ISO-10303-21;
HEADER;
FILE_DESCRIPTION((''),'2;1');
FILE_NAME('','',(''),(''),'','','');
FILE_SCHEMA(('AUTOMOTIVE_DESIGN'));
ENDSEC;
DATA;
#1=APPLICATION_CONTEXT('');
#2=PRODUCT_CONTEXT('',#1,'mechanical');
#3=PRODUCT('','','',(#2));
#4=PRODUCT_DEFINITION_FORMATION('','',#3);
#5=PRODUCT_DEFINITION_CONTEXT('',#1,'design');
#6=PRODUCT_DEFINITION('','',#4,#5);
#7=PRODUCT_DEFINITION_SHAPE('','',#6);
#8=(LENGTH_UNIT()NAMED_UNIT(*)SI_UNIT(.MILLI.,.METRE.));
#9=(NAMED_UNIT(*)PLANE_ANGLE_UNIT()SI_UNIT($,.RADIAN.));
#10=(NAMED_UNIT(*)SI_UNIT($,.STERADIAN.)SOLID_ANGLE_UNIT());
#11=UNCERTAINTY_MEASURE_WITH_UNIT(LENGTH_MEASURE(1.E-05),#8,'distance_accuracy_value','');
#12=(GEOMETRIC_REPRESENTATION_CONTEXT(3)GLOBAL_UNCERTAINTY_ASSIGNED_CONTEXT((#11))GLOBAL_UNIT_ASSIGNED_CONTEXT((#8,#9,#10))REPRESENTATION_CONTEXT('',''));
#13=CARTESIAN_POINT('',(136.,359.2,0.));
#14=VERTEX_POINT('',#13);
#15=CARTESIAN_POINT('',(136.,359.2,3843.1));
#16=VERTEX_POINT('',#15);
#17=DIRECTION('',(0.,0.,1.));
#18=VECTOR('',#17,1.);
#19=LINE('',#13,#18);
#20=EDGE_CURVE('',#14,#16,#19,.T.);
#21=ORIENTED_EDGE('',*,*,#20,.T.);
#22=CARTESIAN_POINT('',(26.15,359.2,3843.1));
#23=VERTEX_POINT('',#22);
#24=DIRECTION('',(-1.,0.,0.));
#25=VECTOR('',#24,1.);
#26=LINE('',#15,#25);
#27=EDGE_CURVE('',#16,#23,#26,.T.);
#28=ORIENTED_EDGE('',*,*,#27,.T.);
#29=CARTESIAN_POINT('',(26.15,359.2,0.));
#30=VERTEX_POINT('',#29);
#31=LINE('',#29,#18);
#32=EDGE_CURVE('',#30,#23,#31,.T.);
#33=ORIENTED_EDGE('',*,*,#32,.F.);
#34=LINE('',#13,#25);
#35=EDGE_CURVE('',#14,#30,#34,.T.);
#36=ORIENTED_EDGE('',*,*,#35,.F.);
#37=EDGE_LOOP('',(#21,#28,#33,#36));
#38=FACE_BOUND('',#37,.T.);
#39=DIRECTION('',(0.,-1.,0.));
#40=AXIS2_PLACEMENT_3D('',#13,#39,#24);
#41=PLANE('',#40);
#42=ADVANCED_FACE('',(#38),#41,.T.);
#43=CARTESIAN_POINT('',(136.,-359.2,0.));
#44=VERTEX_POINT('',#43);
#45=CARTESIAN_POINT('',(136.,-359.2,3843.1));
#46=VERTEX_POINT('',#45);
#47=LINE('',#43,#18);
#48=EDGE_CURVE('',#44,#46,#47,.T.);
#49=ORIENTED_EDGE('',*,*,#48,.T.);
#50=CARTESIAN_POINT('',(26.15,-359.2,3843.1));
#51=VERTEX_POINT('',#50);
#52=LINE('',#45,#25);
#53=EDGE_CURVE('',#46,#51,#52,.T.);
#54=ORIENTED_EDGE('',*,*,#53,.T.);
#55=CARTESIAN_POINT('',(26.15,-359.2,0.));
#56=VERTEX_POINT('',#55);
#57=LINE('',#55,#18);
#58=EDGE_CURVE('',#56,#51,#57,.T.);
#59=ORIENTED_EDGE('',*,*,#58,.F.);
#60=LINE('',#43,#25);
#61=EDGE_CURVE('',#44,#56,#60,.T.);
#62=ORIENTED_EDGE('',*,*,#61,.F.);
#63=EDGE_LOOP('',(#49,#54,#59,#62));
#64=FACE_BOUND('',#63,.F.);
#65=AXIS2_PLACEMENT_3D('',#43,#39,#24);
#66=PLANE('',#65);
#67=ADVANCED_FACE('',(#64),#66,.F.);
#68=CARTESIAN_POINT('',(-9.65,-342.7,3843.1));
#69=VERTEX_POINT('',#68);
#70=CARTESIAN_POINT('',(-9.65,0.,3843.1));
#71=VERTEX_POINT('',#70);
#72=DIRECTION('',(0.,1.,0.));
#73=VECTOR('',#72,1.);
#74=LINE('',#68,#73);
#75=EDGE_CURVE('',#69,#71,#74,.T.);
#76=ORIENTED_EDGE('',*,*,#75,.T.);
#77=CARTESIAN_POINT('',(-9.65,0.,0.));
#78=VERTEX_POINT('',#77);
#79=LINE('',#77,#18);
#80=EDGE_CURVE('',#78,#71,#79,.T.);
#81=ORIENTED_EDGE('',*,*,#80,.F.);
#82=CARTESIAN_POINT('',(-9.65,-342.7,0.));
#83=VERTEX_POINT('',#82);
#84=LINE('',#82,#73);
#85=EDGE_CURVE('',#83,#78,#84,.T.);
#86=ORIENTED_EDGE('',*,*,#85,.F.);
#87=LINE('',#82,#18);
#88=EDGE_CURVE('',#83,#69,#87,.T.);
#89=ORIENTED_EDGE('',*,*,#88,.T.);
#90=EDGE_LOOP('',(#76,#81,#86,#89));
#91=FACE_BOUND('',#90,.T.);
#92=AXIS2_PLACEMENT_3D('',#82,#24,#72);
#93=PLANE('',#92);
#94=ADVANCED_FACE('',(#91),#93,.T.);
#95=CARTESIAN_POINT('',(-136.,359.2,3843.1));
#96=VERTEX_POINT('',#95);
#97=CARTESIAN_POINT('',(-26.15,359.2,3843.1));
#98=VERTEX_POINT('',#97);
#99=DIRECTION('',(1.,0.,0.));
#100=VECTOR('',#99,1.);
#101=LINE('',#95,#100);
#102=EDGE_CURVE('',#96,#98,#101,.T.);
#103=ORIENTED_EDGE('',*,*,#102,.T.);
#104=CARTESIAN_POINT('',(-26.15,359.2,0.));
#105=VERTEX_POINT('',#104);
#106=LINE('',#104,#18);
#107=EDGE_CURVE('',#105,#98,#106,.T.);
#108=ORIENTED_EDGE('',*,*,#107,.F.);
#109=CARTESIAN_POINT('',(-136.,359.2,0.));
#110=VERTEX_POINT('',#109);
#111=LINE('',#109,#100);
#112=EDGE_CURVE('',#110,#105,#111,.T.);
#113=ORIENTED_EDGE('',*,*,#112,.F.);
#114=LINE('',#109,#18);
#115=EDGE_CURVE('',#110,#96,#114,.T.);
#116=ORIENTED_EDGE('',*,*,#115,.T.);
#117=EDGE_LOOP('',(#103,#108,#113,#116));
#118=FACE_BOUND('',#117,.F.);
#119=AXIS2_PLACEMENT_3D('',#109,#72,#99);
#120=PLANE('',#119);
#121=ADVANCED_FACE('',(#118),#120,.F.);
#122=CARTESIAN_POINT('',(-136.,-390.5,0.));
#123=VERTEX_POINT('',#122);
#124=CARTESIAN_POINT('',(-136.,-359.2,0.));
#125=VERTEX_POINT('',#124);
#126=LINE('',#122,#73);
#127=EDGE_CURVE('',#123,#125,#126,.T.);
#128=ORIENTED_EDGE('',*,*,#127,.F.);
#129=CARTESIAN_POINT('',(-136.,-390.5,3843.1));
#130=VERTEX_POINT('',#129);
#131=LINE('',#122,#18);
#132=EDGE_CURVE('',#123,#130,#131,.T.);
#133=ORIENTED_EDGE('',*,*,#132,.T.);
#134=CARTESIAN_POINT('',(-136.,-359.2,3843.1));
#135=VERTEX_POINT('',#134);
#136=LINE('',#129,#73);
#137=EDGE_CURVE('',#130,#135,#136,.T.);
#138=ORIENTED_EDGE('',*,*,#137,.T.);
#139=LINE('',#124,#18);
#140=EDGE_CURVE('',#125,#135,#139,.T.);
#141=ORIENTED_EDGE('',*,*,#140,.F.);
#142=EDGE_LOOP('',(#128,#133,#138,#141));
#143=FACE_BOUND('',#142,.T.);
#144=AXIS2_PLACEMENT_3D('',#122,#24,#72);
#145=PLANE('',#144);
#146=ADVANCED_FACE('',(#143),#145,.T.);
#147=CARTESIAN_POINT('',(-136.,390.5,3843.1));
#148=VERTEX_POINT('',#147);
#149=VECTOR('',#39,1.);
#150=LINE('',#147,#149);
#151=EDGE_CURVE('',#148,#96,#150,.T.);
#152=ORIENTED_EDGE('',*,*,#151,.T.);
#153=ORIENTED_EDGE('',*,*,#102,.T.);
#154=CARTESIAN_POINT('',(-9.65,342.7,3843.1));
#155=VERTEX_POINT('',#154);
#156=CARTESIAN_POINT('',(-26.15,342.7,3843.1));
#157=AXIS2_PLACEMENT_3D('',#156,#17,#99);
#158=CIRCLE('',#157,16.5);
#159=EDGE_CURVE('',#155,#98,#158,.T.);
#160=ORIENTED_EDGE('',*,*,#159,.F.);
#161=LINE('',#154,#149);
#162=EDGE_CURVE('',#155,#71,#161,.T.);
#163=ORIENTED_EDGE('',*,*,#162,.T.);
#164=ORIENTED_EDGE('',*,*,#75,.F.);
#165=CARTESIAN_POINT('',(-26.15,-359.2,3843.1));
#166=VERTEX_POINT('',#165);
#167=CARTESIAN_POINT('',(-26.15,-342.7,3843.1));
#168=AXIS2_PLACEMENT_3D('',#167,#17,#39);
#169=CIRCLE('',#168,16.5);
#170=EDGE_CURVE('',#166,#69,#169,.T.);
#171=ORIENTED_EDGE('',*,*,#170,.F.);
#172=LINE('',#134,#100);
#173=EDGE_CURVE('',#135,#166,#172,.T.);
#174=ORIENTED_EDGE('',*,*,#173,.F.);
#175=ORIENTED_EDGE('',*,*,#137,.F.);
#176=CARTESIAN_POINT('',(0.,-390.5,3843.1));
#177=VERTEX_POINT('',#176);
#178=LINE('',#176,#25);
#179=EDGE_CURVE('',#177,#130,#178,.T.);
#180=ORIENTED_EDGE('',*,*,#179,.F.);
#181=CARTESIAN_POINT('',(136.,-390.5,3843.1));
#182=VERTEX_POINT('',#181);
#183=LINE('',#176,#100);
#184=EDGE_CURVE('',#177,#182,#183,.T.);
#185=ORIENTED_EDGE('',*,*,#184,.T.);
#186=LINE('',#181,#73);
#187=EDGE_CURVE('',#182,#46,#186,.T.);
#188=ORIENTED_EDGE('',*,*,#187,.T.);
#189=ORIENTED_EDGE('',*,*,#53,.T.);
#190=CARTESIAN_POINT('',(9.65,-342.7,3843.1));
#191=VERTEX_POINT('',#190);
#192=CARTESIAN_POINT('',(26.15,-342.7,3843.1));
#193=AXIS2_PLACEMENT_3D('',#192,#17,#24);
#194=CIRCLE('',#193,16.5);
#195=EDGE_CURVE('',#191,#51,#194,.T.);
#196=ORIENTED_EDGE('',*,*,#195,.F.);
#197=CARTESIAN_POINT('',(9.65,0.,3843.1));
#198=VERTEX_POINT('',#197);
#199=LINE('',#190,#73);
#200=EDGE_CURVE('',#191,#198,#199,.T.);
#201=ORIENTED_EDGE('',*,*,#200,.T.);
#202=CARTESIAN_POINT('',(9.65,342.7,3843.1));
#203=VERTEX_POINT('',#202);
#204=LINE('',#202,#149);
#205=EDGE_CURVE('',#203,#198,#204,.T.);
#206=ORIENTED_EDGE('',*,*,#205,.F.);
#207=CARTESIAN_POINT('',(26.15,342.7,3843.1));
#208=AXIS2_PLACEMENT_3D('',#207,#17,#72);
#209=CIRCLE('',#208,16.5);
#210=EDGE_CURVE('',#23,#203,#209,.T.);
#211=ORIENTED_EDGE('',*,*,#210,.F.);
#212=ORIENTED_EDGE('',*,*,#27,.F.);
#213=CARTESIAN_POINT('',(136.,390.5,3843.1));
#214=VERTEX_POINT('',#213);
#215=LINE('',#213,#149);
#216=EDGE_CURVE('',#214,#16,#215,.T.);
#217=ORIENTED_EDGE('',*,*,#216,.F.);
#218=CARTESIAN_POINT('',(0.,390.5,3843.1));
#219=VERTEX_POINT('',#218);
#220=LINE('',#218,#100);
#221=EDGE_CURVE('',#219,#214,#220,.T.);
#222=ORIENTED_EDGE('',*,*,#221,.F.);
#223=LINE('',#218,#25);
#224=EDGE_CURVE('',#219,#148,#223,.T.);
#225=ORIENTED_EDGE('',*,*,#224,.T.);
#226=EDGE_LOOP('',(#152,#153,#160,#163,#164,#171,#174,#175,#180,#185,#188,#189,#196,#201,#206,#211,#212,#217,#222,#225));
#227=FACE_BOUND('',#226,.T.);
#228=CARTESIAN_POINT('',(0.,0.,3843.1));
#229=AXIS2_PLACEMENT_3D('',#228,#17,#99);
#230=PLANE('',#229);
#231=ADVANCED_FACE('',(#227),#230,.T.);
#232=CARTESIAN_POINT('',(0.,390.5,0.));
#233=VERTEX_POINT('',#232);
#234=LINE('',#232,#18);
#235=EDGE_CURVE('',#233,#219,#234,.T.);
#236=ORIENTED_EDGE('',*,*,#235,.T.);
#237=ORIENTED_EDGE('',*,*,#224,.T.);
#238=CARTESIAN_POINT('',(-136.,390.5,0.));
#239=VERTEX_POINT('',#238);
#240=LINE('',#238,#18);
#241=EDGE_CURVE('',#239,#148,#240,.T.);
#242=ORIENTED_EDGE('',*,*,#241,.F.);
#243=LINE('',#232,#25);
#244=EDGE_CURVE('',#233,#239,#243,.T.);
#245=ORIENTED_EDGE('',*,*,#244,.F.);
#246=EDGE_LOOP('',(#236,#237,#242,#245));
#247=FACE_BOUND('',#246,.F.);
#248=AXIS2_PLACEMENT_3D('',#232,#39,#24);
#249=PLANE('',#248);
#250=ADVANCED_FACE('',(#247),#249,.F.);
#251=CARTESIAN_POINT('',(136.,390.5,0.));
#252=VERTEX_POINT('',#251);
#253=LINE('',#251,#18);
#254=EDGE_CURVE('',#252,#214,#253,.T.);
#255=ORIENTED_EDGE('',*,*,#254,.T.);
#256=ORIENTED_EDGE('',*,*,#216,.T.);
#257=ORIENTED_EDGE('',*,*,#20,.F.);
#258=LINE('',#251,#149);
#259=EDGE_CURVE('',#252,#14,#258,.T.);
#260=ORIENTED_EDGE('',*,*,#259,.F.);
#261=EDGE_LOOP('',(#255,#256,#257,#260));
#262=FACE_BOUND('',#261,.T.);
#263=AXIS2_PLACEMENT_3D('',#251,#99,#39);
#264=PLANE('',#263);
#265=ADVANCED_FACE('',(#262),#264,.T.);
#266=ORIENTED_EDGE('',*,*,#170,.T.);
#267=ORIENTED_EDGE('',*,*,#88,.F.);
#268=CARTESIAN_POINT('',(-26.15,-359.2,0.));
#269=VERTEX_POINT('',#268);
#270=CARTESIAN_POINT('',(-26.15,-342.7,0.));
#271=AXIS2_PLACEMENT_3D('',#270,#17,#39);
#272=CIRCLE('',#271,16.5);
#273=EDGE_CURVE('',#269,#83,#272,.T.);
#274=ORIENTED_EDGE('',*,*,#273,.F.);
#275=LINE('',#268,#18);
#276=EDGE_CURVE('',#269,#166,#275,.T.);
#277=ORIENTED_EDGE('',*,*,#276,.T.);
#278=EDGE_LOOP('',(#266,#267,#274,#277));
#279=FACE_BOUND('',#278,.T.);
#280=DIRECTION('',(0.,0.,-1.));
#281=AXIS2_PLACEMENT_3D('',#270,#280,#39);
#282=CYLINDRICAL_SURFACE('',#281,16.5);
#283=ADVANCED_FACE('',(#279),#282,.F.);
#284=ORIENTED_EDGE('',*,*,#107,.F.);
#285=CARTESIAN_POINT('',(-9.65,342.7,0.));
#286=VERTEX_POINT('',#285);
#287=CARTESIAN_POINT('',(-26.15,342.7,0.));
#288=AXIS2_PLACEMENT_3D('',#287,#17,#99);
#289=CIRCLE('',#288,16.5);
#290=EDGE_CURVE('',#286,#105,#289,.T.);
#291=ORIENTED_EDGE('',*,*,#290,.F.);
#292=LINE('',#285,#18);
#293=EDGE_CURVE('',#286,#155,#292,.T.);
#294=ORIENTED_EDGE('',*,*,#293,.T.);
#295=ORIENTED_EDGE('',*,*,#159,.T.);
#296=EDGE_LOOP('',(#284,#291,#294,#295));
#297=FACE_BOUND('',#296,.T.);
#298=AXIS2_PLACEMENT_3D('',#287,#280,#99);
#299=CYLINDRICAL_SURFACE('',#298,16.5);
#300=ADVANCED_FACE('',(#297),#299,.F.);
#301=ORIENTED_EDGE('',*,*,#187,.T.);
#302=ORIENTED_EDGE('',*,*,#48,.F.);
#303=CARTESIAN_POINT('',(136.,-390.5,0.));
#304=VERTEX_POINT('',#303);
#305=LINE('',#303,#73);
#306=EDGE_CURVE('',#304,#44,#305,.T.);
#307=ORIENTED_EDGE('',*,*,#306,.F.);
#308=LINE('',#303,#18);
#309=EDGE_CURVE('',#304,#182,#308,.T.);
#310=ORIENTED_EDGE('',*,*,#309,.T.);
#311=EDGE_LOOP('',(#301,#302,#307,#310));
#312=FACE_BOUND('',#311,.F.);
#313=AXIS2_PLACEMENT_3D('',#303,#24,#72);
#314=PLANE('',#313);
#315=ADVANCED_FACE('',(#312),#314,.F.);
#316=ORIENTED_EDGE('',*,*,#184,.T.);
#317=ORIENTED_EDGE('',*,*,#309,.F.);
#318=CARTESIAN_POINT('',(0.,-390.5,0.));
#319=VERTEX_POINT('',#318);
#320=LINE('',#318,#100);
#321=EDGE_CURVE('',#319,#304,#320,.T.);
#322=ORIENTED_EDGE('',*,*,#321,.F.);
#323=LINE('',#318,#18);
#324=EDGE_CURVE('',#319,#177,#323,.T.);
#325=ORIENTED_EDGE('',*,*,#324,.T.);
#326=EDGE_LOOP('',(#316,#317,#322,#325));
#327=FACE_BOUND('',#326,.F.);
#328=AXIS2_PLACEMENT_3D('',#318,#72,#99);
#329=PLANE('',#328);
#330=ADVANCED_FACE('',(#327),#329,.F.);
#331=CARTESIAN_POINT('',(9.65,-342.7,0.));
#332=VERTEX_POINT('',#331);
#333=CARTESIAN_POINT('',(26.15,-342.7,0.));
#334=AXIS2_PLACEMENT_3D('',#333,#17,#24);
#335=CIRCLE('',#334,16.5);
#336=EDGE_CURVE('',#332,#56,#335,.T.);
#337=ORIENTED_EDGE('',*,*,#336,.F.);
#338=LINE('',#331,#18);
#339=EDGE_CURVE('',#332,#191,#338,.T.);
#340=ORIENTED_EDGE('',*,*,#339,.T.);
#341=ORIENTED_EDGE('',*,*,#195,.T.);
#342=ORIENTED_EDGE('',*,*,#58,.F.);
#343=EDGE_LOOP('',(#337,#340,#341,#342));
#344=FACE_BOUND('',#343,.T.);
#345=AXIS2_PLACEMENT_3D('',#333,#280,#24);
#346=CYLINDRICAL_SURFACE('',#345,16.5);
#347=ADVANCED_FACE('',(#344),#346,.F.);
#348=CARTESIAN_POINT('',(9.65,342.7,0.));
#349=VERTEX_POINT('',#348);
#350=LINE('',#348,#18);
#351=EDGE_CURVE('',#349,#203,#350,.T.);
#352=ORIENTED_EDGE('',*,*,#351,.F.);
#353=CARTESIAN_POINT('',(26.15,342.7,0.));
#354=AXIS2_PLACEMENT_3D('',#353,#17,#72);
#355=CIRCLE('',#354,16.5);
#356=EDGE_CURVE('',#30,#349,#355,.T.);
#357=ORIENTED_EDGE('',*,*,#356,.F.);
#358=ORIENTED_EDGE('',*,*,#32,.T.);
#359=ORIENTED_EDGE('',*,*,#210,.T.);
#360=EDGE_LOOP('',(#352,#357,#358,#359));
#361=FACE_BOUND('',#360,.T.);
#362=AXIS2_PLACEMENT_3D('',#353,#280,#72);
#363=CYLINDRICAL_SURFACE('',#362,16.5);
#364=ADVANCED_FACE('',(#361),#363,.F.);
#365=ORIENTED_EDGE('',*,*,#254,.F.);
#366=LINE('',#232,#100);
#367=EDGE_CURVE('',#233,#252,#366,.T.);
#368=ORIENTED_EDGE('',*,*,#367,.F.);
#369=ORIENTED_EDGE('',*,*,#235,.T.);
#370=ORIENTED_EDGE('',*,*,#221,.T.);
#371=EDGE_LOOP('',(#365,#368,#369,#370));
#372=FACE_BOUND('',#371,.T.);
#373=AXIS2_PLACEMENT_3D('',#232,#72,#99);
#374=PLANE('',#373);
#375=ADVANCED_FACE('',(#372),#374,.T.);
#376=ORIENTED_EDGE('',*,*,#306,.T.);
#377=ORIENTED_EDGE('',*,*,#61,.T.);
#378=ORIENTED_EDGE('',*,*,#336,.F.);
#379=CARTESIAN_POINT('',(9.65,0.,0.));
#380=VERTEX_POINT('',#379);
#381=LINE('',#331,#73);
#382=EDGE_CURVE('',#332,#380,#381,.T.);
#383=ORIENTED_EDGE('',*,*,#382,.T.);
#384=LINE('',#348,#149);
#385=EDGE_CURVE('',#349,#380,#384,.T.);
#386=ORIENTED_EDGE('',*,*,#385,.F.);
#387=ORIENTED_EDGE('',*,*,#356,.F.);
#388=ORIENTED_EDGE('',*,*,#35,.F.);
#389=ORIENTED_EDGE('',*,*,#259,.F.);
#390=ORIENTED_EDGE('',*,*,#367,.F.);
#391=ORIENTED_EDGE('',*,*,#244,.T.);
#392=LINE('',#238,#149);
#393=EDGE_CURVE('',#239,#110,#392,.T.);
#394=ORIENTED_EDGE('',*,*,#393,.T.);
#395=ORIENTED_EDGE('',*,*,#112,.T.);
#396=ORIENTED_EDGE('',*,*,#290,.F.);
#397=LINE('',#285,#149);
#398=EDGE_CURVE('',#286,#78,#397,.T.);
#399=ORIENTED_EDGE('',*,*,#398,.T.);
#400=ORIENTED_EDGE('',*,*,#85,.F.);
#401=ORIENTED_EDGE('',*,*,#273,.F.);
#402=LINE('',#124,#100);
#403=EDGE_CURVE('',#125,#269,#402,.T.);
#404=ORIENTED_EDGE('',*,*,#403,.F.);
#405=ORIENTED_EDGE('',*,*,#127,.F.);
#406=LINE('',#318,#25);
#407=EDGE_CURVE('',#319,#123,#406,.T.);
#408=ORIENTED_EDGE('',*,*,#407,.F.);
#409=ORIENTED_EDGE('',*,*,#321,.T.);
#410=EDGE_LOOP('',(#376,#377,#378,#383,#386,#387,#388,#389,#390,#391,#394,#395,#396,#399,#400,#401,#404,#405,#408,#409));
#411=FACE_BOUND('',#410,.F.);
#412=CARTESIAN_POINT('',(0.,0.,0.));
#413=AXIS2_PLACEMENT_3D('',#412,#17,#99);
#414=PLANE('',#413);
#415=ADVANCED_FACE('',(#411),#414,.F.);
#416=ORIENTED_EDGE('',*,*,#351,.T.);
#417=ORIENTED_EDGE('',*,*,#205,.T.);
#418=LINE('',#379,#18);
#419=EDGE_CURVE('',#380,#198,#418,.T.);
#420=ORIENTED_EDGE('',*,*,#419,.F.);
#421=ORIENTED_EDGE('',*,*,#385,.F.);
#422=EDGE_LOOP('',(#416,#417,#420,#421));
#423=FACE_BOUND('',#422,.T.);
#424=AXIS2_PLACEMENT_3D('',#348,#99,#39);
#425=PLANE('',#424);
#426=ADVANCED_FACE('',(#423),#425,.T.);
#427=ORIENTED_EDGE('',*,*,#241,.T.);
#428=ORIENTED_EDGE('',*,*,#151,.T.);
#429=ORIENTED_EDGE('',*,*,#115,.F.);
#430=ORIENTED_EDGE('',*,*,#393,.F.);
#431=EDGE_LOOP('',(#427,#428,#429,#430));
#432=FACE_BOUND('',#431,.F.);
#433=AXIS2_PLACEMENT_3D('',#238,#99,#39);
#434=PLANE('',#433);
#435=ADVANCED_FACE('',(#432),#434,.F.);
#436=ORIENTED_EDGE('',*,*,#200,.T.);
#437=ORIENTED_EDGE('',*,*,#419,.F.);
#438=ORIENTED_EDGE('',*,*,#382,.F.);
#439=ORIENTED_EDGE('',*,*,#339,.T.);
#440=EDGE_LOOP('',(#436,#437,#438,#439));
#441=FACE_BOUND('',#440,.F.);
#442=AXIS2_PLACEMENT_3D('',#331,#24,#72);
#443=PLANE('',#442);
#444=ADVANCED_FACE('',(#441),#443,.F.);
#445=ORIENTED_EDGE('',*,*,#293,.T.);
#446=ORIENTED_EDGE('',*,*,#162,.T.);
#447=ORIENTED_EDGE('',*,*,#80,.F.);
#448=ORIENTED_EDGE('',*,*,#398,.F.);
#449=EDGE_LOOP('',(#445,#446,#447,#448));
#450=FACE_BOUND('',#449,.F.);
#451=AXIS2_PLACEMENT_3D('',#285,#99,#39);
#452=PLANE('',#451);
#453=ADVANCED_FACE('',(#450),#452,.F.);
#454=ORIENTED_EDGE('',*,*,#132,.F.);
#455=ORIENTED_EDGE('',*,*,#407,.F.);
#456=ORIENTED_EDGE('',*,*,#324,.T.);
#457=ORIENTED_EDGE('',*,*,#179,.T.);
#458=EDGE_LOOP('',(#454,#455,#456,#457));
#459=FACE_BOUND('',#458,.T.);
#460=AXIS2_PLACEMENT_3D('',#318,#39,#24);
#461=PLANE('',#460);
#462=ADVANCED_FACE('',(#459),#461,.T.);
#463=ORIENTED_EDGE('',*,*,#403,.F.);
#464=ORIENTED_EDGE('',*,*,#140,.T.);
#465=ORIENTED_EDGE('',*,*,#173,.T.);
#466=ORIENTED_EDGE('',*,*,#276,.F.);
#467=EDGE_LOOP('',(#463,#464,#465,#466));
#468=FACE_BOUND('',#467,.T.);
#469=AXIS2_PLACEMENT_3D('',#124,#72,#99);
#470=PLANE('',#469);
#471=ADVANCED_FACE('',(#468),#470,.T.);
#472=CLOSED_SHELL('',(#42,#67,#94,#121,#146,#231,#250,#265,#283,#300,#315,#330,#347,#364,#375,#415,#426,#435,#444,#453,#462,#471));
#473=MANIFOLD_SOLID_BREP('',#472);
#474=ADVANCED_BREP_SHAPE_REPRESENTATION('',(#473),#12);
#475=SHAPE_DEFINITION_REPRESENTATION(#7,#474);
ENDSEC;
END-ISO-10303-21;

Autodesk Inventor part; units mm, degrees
ref_plane "YZ Plane" through (0, 0, 0) normal (1, 0, 0) x (0, 1, 0)
ref_plane "Start plane" through (0, 0, 0) normal (0, 0, 1) x (1, 0, 0)
ref_plane "End plane" through (0, 0, 3843.1) normal (0, 0, 1) x (1, 0, 0)
sketch "Sketch" plane through (0, 0, 0) normal (0, 0, 1) x (1, 0, 0)
  line L0 (-136, -390.5) -> (-136, -359.2)
  line L1 (-136, -359.2) -> (-26.15, -359.2)
  line L2 (-9.65, -342.7) -> (-9.65, 0)
  line L3 (-9.65, 0) -> (0, 0) construction
  line L4 (0, 0) -> (0, -390.5) construction
  line L5 (0, -390.5) -> (-136, -390.5)
  line L6 (-60, 0) -> (80, 0) construction
  line L7 (0, -60) -> (0, 80) construction
  line L8 (136, -390.5) -> (136, -359.2)
  line L9 (136, -359.2) -> (26.15, -359.2)
  line L10 (9.65, -342.7) -> (9.65, 0)
  line L11 (9.65, 0) -> (0, 0) construction
  line L12 (0, -390.5) -> (136, -390.5)
  line L13 (-136, 390.5) -> (-136, 359.2)
  line L14 (-136, 359.2) -> (-26.15, 359.2)
  line L15 (-9.65, 342.7) -> (-9.65, 0)
  line L16 (0, 390.5) -> (-136, 390.5)
  line L17 (136, 390.5) -> (136, 359.2)
  line L18 (136, 359.2) -> (26.15, 359.2)
  line L19 (0, 390.5) -> (136, 390.5)
  line L20 (9.65, 342.7) -> (9.65, 0)
  arc A0 (-9.65, 342.7) -> (-26.15, 359.2) centre (-26.15, 342.7) ccw
  arc A1 (26.15, 359.2) -> (9.65, 342.7) centre (26.15, 342.7) ccw
  arc A2 (9.65, -342.7) -> (26.15, -359.2) centre (26.15, -342.7) ccw
  arc A3 (-26.15, -359.2) -> (-9.65, -342.7) centre (-26.15, -342.7) ccw
  line L21 (0, 108) -> (0, -88) construction
  line L22 (-88, 0) -> (108, 0) construction
  point P0 (-9.65, -359.2)
  point P1 (9.65, -359.2)
  point P2 (-9.65, 359.2)
  point P3 (9.65, 359.2)
  dimension "d1" = 390.5
  dimension "d2" = 31.3
  dimension "d3" = 136
  dimension "d4" = 9.65
  dimension "d10" = 16.5
extrude "Body" add sketch "Sketch" along normal up to surface (3843.1 mm away) from surface at 0
sketch "Sketch4" plane through (0, 0, 0) normal (0, 0, 1) x (1, 0, 0)
  line L0 (0, 0) -> (10, 0)
ref_plane "Work Plane3" through (0, 0, 0) normal (0, -1, 0) x (1, 0, 0)
sketch "Sketch5" plane through (0, 0, 0) normal (0, -1, 0) x (1, 0, 0)
  line L0 (-2, 0) -> (12, 0) projected
  line L1 (-2, 3843.1) -> (12, 3843.1) projected
  dimension "d14" = 3843.1
equation "\"d1\" = 0.5 * G_H"
equation "\"d2\" = G_T1"
equation "\"d3\" = 0.5 * G_W"
equation "\"d4\" = 0.5 * G_T"
equation "\"d10\" = G_IR"
equation "\"d5\" = G_L"
equation "\"G_W\" = 272"
equation "\"G_H\" = 781"
equation "\"G_T\" = 19.3"
equation "\"G_T1\" = 31.3"
equation "\"G_IR\" = 16.5"
equation "\"G_L\" = d14"
equation "\"G_OFFSET_START\" = 0"
equation "\"G_OFFSET_END\" = 0"
equation "\"d12\" = G_OFFSET_END + B_L"
equation "\"B_L\" = 3843.1"
properties part number "AS 3679-1990 - 760 UB - 244 - 3843.1" material "Steel, Mild"
